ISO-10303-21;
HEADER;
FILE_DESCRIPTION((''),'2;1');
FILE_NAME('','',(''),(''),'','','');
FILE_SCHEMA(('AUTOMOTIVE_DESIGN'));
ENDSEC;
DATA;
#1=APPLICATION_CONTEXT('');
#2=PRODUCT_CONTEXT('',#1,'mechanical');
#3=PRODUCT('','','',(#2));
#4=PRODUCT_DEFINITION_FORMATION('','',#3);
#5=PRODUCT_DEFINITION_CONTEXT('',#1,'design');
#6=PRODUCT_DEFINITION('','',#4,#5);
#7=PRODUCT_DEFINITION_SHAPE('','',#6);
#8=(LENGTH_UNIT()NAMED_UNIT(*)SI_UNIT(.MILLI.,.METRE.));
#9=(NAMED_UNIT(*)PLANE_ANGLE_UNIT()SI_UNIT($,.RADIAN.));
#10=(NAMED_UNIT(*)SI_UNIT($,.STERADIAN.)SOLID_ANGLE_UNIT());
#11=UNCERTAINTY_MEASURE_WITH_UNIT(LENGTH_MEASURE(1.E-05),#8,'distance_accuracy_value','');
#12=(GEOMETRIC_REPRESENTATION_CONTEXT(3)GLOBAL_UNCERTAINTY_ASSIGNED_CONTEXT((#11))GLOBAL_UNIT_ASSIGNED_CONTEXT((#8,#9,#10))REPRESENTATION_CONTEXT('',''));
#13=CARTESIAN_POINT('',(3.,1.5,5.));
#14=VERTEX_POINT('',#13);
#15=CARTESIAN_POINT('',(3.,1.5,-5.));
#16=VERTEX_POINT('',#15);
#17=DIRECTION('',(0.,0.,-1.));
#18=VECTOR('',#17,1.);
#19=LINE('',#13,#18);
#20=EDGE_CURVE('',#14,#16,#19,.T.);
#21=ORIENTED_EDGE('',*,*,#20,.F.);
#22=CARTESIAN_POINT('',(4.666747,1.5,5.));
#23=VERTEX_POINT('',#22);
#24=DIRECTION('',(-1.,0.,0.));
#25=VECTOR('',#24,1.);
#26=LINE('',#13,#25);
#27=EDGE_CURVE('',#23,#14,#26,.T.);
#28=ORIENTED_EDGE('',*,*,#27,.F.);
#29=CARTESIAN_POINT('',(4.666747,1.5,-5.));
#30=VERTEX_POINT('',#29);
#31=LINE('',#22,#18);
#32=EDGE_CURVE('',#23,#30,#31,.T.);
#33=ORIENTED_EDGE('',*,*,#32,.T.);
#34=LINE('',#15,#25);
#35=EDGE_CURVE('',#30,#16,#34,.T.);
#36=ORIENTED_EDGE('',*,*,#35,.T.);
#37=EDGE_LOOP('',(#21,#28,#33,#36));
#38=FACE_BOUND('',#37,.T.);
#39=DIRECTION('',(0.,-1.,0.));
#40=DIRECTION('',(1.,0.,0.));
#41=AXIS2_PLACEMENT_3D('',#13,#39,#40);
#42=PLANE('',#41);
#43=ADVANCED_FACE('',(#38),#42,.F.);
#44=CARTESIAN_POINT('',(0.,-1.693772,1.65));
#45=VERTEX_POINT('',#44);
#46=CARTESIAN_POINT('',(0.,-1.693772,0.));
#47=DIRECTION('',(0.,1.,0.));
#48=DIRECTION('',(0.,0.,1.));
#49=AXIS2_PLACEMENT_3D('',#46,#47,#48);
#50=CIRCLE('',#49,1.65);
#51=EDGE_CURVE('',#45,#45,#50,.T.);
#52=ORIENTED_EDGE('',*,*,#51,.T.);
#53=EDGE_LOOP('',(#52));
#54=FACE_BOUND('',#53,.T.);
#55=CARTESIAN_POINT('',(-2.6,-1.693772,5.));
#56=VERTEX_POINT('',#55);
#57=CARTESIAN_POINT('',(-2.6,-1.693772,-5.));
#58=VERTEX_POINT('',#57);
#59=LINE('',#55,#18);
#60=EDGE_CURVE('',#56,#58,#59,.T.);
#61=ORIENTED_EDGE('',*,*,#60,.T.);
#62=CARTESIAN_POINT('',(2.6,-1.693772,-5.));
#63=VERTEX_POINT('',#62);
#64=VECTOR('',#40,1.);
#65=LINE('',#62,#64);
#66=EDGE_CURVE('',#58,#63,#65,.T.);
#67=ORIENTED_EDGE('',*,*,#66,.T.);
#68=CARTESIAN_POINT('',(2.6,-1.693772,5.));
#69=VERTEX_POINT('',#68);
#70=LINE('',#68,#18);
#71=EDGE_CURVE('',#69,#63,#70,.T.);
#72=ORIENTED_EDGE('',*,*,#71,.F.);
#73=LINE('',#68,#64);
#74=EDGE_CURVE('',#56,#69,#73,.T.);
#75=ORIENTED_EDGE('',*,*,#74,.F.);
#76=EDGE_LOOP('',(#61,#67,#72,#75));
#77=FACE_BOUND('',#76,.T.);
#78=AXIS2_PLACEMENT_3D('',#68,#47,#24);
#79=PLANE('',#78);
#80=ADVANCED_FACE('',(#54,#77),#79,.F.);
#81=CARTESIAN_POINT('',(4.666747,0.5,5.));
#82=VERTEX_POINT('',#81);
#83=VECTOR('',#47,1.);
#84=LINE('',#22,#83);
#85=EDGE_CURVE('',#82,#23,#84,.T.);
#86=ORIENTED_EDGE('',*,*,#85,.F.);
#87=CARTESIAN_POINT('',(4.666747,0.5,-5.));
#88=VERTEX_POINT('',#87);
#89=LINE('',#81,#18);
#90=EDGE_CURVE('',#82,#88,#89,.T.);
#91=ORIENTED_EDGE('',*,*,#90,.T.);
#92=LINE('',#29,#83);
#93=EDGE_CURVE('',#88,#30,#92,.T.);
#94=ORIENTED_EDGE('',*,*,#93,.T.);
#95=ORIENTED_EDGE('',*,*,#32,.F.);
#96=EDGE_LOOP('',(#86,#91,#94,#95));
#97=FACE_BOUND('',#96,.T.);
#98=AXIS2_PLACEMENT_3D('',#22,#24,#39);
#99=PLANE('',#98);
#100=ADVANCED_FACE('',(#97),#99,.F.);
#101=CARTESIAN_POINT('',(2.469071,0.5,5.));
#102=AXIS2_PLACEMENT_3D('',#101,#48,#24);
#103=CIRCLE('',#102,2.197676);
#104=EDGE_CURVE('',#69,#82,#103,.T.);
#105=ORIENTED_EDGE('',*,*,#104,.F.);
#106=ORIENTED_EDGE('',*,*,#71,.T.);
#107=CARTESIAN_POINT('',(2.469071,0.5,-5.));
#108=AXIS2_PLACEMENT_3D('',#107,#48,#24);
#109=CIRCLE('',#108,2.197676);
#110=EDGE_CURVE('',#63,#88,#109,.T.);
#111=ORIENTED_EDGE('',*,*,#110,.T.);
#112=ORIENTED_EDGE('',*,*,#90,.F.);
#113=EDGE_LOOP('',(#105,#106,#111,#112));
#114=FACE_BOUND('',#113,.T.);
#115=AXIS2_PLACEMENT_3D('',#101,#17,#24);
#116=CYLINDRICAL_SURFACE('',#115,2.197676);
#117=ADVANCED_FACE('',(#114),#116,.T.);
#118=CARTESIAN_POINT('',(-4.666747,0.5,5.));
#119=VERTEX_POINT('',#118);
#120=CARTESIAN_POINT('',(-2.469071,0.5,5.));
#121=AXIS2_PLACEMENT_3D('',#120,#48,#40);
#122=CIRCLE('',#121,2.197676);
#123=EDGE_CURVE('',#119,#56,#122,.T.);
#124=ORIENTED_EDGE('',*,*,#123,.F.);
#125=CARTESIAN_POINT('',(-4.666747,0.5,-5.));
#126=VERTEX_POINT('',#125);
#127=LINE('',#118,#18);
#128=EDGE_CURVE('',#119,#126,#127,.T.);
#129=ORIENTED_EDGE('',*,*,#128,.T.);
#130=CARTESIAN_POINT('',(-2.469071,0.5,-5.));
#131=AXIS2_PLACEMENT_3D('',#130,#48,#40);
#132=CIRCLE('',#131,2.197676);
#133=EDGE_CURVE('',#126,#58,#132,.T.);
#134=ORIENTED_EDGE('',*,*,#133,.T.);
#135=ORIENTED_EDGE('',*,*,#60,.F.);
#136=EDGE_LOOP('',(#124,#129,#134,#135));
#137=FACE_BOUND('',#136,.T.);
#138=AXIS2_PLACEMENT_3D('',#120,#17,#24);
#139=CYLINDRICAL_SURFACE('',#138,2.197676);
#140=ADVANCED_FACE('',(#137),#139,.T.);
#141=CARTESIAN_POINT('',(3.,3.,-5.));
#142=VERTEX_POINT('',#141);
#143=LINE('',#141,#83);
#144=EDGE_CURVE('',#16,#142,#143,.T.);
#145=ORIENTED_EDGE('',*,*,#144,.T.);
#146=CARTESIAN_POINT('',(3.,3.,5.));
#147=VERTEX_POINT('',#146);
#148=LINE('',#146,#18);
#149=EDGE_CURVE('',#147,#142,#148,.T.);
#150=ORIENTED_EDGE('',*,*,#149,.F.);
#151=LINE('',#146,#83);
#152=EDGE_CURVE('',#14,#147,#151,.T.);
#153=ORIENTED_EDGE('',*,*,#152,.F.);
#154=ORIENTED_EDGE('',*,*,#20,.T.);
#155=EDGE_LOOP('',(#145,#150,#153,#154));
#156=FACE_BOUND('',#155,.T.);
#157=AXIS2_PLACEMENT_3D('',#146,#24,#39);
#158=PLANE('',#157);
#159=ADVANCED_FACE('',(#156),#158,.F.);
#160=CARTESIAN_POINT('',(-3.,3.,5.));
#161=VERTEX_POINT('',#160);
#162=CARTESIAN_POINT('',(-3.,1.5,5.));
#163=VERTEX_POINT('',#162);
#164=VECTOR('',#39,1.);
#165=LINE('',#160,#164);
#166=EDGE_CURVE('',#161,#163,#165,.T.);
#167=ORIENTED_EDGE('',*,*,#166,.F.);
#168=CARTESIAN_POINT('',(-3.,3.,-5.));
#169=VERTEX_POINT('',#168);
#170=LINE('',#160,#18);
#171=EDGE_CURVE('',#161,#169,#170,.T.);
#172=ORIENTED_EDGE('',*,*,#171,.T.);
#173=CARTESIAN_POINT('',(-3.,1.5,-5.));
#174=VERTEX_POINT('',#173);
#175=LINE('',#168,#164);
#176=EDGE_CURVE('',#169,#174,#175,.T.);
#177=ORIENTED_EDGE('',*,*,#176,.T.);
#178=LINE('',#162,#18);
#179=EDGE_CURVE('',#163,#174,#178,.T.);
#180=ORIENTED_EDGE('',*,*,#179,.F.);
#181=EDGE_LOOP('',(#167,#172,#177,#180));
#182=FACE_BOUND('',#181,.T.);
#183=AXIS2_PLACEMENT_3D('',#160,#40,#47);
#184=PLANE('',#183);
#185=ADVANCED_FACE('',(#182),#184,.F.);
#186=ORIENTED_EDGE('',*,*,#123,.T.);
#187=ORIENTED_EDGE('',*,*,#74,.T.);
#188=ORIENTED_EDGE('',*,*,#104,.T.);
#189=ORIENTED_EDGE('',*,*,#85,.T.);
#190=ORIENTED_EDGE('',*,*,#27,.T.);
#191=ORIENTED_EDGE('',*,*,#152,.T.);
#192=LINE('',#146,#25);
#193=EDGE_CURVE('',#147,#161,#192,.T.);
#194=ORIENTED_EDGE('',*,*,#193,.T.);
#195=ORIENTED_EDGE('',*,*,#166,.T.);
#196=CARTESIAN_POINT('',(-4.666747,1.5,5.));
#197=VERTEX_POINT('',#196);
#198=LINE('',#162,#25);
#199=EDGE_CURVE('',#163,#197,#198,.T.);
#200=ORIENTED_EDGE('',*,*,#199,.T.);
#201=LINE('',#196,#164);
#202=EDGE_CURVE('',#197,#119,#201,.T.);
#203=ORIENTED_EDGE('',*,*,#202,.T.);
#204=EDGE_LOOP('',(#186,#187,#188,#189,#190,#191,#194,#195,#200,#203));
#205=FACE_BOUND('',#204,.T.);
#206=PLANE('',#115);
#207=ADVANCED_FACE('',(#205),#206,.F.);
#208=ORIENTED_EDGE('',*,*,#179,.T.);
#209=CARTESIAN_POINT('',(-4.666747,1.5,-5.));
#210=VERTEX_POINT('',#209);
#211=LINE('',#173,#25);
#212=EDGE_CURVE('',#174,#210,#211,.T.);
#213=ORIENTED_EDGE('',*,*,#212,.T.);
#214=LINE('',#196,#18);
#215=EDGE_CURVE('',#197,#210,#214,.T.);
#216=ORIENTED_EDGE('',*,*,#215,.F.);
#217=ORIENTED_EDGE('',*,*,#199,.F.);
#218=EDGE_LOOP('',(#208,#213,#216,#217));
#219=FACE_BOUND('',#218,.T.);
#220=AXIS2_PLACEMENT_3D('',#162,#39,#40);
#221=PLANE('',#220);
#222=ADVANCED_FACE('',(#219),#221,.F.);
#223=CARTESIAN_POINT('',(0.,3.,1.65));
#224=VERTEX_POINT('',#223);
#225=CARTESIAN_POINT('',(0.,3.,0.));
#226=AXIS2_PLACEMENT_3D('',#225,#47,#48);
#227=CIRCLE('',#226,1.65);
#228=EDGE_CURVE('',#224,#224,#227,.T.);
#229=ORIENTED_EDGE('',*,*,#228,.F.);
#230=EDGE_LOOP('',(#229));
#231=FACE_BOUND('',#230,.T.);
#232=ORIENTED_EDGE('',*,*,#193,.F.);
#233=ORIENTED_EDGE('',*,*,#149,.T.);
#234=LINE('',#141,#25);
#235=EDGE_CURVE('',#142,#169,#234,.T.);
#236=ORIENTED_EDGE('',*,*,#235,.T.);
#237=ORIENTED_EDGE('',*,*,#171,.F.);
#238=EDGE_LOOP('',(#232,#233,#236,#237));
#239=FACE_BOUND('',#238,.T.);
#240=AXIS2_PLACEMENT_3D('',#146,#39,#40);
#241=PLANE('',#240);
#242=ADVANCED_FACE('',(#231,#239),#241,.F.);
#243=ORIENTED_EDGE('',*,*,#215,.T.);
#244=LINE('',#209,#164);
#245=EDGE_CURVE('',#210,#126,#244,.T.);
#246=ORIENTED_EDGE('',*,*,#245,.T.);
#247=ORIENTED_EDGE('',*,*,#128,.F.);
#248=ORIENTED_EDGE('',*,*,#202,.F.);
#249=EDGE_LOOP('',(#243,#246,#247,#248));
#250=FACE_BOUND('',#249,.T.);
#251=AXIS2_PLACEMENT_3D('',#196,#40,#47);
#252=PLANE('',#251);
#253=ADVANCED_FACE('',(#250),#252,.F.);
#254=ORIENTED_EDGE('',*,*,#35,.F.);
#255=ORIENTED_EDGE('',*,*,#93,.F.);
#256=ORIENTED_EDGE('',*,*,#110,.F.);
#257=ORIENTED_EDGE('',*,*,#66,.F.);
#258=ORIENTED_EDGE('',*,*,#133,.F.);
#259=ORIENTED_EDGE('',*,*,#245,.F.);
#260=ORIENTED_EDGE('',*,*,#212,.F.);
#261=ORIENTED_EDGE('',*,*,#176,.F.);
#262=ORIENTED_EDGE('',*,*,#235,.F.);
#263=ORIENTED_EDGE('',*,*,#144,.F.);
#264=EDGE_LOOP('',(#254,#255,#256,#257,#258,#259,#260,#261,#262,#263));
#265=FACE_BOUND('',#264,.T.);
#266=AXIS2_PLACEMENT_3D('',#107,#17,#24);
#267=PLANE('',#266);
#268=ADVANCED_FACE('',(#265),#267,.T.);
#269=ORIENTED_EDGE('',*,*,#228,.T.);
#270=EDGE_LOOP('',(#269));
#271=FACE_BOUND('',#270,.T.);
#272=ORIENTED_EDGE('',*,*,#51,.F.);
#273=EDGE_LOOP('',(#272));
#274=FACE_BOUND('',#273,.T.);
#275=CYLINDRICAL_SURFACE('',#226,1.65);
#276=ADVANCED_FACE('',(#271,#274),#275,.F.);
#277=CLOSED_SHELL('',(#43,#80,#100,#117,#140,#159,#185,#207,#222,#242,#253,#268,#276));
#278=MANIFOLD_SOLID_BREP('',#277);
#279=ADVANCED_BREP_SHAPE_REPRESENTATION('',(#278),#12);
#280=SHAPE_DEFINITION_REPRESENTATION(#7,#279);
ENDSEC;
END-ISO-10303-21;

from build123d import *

# Parameters (mm, degrees)
EXTRUDE_1_DEPTH    = 10
HOLE_WIZARD_M4_1_D = 3.3


with BuildPart() as part:
    # 草图1 → 凸台-拉伸1 (new body)
    with BuildSketch(Plane.XY):
        with BuildLine():
            Line((3, 3), (-3, 3))
            Line((-3, 3), (-3, 1.5))
            Line((-3, 1.5), (-4.666746731, 1.5))
            Line((-4.666746731, 1.5), (-4.666746731, 0.5))
            ThreePointArc((-4.666746731, 0.5), (-4.068683171, -1.006990331), (-2.6, -1.69377241))
            Line((-2.6, -1.69377241), (2.6, -1.69377241))
            ThreePointArc((2.6, -1.69377241), (4.068683171, -1.006990331), (4.666746731, 0.5))
            Line((4.666746731, 0.5), (4.666746731, 1.5))
            Line((4.666746731, 1.5), (3, 1.5))
            Line((3, 1.5), (3, 3))
        make_face()
    extrude(amount=EXTRUDE_1_DEPTH)

    # M4 螺纹孔1 (through all)
    with Locations(Plane(origin=(0, 3, 0), x_dir=(1, 0, 0), z_dir=(0, 1, 0))):
        with Locations((0, -5)):
            Hole(HOLE_WIZARD_M4_1_D / 2)


with BuildPart() as part_1:
    # Move Body 1: moved
    add(part.part.moved(Location((0, 0, -5))))


solid = part_1.part
